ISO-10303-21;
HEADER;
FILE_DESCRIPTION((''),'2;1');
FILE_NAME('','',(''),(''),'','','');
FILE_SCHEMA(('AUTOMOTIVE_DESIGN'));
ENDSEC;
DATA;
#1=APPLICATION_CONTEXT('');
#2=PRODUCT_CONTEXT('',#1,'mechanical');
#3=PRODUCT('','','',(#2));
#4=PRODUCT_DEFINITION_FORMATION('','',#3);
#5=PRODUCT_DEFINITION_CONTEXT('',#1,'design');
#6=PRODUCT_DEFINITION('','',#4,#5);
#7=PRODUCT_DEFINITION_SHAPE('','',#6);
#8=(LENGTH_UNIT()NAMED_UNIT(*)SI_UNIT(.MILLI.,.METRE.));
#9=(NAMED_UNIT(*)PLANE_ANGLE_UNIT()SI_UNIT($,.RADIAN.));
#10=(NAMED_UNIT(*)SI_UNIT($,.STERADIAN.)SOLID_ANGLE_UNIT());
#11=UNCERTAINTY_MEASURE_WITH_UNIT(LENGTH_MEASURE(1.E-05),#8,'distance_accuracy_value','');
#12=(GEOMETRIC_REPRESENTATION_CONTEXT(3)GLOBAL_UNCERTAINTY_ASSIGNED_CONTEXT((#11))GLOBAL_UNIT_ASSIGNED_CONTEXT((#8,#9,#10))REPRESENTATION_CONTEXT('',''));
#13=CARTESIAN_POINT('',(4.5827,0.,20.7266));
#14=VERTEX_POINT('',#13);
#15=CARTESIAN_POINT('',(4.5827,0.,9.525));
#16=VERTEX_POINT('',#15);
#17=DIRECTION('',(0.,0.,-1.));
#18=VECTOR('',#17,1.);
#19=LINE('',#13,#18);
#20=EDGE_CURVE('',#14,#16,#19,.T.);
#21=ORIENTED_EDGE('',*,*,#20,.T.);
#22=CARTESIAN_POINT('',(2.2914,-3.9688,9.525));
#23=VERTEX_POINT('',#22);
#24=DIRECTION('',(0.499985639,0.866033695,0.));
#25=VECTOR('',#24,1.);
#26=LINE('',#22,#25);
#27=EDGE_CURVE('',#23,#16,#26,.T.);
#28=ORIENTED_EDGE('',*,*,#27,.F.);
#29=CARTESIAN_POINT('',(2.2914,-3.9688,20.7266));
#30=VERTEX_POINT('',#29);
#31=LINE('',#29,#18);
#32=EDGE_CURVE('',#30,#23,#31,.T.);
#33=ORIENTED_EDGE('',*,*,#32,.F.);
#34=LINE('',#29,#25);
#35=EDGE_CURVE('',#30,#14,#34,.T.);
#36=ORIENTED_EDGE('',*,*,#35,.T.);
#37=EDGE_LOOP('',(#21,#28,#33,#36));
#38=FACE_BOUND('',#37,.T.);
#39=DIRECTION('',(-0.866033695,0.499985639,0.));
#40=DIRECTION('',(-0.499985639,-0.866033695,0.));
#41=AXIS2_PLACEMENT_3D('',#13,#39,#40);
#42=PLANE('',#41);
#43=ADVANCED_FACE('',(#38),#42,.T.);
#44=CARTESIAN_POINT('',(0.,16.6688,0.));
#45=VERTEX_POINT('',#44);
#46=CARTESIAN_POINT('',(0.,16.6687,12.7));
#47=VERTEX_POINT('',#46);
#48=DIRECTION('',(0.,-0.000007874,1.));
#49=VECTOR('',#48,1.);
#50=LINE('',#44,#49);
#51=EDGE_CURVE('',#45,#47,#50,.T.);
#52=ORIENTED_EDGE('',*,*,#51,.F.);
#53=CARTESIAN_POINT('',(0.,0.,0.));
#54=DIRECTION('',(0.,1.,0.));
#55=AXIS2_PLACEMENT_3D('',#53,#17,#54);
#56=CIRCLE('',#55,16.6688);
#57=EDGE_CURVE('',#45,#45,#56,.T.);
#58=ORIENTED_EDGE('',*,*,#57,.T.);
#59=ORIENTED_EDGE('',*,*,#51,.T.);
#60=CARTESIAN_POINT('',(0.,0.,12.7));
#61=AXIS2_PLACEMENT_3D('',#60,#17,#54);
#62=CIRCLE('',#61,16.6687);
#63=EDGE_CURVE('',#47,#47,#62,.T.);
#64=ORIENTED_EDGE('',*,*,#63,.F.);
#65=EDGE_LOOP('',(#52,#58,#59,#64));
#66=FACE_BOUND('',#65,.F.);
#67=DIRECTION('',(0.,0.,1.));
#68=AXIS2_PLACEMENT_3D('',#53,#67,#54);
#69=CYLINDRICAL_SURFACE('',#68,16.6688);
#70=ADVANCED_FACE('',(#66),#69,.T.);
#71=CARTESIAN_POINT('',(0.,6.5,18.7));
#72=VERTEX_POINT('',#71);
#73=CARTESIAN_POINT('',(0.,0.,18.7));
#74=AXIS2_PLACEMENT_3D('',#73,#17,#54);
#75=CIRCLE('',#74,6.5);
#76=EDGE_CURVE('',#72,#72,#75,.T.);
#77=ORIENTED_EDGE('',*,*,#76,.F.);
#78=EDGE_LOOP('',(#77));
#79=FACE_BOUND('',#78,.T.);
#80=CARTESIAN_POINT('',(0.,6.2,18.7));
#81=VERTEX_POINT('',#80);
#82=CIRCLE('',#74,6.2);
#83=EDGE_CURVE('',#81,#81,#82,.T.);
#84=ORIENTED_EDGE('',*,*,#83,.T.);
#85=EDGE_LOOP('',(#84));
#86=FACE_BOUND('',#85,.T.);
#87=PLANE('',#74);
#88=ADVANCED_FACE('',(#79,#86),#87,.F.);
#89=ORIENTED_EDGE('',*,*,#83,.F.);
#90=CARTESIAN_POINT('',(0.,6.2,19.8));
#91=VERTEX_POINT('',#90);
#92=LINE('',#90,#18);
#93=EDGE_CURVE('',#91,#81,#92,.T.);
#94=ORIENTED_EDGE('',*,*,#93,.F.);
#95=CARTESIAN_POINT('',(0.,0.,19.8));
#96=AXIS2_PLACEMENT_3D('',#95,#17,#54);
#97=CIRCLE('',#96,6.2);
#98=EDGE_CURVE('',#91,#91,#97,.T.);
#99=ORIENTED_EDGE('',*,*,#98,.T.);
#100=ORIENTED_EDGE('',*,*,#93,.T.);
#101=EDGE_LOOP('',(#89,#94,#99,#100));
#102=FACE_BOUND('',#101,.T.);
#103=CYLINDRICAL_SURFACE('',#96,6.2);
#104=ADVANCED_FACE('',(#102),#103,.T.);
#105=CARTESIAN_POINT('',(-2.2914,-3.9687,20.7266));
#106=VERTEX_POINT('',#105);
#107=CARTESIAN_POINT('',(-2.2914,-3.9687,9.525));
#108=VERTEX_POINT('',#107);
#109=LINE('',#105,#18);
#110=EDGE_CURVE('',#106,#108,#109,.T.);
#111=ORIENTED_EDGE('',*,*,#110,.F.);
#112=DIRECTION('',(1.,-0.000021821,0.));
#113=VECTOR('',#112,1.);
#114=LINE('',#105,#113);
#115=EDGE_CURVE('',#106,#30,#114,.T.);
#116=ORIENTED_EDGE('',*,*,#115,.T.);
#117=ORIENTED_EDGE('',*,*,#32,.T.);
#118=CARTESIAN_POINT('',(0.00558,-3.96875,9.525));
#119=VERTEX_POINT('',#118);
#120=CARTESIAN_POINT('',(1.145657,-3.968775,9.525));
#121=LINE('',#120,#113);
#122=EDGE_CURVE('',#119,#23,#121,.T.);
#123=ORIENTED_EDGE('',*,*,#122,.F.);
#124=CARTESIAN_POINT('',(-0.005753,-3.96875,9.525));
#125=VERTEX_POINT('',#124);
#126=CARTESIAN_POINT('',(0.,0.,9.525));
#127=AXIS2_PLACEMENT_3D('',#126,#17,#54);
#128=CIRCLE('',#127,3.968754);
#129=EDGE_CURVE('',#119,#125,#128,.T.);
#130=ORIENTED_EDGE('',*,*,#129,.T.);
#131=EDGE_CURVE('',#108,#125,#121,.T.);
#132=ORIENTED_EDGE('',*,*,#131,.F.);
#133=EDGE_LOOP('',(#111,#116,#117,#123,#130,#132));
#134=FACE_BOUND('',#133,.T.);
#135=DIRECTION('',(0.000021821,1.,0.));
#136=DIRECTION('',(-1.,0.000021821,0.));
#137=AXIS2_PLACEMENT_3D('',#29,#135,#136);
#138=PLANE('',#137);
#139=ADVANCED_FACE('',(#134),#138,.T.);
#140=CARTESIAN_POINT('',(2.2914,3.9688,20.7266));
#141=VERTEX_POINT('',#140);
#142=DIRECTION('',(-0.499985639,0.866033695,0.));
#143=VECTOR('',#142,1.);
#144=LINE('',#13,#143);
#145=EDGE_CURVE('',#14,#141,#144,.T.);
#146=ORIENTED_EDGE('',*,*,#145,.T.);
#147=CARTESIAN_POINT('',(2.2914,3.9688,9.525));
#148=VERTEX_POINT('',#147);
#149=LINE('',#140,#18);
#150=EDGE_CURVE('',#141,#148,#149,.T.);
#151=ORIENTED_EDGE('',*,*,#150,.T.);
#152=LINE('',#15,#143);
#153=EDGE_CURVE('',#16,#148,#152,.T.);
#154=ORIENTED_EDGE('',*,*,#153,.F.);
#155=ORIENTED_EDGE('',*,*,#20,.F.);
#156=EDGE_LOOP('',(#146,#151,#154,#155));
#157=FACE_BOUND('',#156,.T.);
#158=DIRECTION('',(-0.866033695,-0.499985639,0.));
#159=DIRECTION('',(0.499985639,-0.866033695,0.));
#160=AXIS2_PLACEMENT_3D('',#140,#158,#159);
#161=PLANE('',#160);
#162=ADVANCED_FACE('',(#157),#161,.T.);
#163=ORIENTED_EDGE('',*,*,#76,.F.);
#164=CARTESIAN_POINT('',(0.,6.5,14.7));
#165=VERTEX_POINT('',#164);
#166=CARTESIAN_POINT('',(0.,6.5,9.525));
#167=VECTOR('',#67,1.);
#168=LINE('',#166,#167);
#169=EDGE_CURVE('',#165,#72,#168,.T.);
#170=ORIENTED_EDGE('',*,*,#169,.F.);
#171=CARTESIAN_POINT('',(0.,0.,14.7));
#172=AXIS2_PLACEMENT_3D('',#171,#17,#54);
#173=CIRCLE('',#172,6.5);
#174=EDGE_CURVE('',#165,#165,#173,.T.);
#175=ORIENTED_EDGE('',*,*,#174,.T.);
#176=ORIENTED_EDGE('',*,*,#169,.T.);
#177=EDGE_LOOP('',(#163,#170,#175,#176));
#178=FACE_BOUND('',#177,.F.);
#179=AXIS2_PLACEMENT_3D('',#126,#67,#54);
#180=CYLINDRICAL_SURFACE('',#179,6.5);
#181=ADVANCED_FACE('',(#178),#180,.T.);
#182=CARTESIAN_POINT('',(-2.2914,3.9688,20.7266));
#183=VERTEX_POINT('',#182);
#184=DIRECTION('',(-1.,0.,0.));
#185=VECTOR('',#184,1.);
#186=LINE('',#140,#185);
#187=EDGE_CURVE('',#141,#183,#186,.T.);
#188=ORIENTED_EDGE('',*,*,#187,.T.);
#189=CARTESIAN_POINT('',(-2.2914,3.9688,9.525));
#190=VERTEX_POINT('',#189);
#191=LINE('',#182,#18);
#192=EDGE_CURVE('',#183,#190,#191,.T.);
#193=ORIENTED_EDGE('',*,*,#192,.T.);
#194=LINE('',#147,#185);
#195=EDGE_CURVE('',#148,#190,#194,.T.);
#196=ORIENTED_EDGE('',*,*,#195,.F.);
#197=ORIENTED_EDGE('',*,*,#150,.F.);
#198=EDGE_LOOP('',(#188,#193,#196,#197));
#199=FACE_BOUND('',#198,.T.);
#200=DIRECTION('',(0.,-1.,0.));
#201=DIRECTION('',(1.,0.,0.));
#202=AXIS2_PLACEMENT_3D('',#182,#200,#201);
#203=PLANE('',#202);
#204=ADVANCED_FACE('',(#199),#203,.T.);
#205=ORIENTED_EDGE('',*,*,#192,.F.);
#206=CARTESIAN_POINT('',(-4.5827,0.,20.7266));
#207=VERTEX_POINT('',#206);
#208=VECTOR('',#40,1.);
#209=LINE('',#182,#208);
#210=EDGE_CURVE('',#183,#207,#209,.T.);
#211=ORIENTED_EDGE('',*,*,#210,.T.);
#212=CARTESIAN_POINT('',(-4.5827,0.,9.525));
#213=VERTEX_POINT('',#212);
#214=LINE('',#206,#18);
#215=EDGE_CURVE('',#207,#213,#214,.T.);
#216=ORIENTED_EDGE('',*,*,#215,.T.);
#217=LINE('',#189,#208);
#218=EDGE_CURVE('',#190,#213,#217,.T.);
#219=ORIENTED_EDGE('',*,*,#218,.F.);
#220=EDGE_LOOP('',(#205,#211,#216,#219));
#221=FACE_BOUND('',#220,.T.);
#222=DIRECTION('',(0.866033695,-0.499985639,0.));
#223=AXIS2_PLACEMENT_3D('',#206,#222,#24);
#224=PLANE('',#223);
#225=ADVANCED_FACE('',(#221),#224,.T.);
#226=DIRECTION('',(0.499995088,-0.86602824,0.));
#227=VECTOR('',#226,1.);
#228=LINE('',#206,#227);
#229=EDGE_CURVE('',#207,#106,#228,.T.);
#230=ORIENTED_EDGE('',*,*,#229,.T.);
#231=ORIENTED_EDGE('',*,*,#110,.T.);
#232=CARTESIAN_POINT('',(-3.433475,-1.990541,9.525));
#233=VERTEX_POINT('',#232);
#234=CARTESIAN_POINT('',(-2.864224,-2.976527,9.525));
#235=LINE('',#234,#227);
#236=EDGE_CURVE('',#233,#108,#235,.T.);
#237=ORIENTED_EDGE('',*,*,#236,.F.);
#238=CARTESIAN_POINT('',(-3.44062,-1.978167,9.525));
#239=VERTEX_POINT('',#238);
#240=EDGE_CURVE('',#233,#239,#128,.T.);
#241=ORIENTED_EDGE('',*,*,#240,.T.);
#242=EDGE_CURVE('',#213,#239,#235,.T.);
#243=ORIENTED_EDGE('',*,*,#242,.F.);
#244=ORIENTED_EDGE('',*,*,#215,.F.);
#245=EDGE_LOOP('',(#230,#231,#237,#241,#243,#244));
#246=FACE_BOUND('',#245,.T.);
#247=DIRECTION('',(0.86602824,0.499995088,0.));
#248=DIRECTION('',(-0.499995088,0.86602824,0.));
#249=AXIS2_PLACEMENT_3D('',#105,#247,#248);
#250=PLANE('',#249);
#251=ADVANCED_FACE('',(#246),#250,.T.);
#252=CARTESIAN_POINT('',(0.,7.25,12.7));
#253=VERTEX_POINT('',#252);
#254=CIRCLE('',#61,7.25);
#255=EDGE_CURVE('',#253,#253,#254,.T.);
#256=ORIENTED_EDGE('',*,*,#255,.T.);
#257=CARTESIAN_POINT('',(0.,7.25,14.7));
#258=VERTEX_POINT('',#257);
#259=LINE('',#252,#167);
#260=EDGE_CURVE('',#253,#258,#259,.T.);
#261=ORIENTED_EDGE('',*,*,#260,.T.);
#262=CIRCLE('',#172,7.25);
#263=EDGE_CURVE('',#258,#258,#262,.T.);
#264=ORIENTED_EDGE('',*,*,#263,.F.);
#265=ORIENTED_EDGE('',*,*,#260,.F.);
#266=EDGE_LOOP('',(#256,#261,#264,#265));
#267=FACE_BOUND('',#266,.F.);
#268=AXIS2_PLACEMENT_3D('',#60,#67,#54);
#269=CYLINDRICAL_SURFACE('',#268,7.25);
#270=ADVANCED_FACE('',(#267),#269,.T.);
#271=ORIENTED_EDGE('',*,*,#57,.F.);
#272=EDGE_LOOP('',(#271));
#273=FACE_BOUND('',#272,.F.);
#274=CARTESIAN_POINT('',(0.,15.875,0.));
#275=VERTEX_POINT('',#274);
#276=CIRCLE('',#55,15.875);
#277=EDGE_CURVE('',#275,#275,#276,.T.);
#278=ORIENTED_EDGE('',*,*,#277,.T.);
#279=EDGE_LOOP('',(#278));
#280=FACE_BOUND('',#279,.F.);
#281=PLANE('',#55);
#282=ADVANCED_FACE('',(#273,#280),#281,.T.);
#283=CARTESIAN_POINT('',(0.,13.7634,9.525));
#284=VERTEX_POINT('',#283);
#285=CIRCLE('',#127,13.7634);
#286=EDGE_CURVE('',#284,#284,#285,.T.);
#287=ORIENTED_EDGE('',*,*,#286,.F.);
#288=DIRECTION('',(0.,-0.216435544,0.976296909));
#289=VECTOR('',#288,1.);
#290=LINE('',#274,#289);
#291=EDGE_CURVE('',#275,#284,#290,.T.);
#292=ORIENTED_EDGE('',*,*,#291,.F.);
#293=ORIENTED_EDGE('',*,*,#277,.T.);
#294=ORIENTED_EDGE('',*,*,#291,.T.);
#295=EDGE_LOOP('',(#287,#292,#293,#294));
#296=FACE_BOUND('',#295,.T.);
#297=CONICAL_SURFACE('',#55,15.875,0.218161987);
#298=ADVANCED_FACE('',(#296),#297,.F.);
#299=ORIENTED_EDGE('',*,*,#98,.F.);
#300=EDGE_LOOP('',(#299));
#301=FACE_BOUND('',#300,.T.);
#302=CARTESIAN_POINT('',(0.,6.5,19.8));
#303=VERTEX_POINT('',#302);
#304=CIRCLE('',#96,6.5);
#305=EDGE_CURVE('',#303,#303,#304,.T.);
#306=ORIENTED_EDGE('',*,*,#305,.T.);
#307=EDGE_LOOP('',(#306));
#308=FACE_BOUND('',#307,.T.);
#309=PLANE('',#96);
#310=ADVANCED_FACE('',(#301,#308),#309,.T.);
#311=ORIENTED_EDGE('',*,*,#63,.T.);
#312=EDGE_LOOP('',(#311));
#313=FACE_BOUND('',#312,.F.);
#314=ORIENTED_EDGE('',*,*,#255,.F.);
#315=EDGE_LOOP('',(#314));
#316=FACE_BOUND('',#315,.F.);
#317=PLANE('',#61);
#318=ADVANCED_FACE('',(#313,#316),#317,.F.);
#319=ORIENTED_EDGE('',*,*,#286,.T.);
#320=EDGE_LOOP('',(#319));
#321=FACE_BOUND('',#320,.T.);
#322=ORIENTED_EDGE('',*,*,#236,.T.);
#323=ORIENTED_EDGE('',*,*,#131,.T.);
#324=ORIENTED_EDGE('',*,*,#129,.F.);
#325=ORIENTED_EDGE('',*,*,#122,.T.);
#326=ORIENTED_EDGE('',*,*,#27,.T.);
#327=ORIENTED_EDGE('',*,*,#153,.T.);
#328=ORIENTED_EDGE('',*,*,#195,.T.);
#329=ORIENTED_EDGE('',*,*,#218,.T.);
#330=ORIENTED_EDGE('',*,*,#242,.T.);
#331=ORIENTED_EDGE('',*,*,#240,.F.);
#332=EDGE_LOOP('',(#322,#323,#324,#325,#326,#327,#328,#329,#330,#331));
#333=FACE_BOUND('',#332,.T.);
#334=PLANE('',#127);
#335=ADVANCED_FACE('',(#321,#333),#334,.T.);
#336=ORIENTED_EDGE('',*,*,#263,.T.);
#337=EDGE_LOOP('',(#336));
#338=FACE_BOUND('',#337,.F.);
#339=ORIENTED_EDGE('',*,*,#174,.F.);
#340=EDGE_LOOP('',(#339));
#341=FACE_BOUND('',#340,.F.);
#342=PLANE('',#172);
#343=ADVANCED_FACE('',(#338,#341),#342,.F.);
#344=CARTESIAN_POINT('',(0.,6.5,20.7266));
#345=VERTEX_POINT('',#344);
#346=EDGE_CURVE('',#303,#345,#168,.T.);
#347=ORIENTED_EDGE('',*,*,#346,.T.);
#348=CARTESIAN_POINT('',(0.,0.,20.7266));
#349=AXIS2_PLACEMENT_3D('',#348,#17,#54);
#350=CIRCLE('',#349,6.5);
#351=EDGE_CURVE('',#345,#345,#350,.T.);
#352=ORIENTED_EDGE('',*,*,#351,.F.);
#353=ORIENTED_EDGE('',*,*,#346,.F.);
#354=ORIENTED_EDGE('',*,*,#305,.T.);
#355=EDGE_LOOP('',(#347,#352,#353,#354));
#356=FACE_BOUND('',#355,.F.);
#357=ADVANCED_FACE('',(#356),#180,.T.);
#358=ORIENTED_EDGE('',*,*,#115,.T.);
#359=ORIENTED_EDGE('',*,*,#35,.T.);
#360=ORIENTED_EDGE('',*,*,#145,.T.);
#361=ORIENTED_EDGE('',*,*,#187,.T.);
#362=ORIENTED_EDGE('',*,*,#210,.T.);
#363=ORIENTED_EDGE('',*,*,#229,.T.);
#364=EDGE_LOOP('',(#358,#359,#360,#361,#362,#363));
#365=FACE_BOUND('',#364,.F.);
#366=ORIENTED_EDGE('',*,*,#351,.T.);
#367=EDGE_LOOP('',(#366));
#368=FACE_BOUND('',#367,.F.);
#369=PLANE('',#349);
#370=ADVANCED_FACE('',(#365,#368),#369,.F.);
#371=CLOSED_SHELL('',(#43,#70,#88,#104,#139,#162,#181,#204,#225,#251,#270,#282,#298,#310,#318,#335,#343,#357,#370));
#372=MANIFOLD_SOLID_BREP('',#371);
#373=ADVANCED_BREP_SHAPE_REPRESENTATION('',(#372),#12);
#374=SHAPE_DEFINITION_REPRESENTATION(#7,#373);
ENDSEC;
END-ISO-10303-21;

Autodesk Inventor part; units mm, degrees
ref_plane "YZ Plane" through (0, 0, 0) normal (1, 0, 0) x (0, 1, 0)
ref_plane "XZ Plane" through (0, 0, 0) normal (0, 1, 0) x (-1, 0, 0)
ref_plane "XY Plane" through (0, 0, 0) normal (0, 0, 1) x (1, 0, 0)
sketch "Sketch1" plane through (0, 0, 0) normal (1, 0, 0) x (0, 1, 0)
  line L0 (0, 0) -> (15.875, 0) construction
  line L1 (15.875, 0) -> (15.875, 9.525) construction
  line L2 (15.875, 9.525) -> (0, 9.525)
  line L3 (0, 9.525) -> (0, 0) construction
  line L4 (15.875, 0) -> (13.7634, 9.525)
  line L5 (0, 0) -> (16.6688, 0)
  line L6 (16.6688, 0) -> (16.6687, 12.7)
  line L7 (16.6687, 12.7) -> (0, 12.7)
  line L8 (0, 12.7) -> (0, 0)
  line L9 (0, 9.525) -> (6.5, 9.525)
  line L10 (6.5, 9.525) -> (6.5, 20.7266)
  line L11 (6.5, 20.7266) -> (0, 20.7266)
  line L12 (0, 20.7266) -> (0, 9.525)
  line L13 (0, 0) -> (3.9688, 0)
  line L14 (3.9688, 0) -> (3.9687, 20.7266)
  line L15 (3.9687, 20.7266) -> (0, 20.7266)
  line L16 (0, 20.7266) -> (0, 0)
  line L17 (6.5, 19.8) -> (6.2, 19.8)
  line L18 (6.2, 19.8) -> (6.2, 18.7)
  line L19 (6.2, 18.7) -> (6.5, 18.7)
  line L20 (6.5, 18.7) -> (6.5, 19.8)
  line L21 (6.5, 12.7) -> (7.25, 12.7)
  line L22 (7.25, 12.7) -> (7.25, 14.7)
  line L23 (7.25, 14.7) -> (6.5, 14.7)
  line L24 (6.5, 14.7) -> (6.5, 12.7)
  point P0 (3.9687, 9.525)
  dimension "d0" = 15.875
  dimension "d1" = 9.525
  dimension "d2" = 12.5
  dimension "d3" = 0.7937
  dimension "d4" = 12.7
  dimension "d5" = 6.5
  dimension "d6" = 3.9688
  dimension "d7" = 8.0266
  dimension "d8" = 0.3
  dimension "d9" = 1.1
  dimension "d10" = 6
  dimension "d12" = 0.75
  dimension "d13" = 2
revolve "Revolution1" add sketch "Sketch1" angle 360 about axis through (0, 0, 12.7) along (0, 0, -1) contours L2 L10 L7 L6 L5 L4 | L2 L14 L7 L10 | L10 L23 L22 L7 | L7 L14 L11 L10 L17 L18 L19
sketch "Sketch2" plane through (0, 0, 20.7266) normal (0, 0, 1) x (1, 0, 0)
  circle A0 centre (0, 0) radius 3.9688 construction
  line L0 (2.2914, 3.9688) -> (4.5827, 0)
  line L1 (4.5827, 0) -> (2.2914, -3.9688)
  line L2 (2.2914, -3.9688) -> (-2.2914, -3.9687)
  line L3 (-2.2914, -3.9687) -> (-4.5827, 0)
  line L4 (-4.5827, 0) -> (-2.2914, 3.9688)
  line L5 (-2.2914, 3.9688) -> (2.2914, 3.9688)
  point P0 (0, 0)
  point P1 (0, 0)
  point P2 (0, 3.9687)
extrude "Extrusion1" cut sketch "Sketch2" against normal through all
properties part number "Clutch" material "Stainless Steel"
